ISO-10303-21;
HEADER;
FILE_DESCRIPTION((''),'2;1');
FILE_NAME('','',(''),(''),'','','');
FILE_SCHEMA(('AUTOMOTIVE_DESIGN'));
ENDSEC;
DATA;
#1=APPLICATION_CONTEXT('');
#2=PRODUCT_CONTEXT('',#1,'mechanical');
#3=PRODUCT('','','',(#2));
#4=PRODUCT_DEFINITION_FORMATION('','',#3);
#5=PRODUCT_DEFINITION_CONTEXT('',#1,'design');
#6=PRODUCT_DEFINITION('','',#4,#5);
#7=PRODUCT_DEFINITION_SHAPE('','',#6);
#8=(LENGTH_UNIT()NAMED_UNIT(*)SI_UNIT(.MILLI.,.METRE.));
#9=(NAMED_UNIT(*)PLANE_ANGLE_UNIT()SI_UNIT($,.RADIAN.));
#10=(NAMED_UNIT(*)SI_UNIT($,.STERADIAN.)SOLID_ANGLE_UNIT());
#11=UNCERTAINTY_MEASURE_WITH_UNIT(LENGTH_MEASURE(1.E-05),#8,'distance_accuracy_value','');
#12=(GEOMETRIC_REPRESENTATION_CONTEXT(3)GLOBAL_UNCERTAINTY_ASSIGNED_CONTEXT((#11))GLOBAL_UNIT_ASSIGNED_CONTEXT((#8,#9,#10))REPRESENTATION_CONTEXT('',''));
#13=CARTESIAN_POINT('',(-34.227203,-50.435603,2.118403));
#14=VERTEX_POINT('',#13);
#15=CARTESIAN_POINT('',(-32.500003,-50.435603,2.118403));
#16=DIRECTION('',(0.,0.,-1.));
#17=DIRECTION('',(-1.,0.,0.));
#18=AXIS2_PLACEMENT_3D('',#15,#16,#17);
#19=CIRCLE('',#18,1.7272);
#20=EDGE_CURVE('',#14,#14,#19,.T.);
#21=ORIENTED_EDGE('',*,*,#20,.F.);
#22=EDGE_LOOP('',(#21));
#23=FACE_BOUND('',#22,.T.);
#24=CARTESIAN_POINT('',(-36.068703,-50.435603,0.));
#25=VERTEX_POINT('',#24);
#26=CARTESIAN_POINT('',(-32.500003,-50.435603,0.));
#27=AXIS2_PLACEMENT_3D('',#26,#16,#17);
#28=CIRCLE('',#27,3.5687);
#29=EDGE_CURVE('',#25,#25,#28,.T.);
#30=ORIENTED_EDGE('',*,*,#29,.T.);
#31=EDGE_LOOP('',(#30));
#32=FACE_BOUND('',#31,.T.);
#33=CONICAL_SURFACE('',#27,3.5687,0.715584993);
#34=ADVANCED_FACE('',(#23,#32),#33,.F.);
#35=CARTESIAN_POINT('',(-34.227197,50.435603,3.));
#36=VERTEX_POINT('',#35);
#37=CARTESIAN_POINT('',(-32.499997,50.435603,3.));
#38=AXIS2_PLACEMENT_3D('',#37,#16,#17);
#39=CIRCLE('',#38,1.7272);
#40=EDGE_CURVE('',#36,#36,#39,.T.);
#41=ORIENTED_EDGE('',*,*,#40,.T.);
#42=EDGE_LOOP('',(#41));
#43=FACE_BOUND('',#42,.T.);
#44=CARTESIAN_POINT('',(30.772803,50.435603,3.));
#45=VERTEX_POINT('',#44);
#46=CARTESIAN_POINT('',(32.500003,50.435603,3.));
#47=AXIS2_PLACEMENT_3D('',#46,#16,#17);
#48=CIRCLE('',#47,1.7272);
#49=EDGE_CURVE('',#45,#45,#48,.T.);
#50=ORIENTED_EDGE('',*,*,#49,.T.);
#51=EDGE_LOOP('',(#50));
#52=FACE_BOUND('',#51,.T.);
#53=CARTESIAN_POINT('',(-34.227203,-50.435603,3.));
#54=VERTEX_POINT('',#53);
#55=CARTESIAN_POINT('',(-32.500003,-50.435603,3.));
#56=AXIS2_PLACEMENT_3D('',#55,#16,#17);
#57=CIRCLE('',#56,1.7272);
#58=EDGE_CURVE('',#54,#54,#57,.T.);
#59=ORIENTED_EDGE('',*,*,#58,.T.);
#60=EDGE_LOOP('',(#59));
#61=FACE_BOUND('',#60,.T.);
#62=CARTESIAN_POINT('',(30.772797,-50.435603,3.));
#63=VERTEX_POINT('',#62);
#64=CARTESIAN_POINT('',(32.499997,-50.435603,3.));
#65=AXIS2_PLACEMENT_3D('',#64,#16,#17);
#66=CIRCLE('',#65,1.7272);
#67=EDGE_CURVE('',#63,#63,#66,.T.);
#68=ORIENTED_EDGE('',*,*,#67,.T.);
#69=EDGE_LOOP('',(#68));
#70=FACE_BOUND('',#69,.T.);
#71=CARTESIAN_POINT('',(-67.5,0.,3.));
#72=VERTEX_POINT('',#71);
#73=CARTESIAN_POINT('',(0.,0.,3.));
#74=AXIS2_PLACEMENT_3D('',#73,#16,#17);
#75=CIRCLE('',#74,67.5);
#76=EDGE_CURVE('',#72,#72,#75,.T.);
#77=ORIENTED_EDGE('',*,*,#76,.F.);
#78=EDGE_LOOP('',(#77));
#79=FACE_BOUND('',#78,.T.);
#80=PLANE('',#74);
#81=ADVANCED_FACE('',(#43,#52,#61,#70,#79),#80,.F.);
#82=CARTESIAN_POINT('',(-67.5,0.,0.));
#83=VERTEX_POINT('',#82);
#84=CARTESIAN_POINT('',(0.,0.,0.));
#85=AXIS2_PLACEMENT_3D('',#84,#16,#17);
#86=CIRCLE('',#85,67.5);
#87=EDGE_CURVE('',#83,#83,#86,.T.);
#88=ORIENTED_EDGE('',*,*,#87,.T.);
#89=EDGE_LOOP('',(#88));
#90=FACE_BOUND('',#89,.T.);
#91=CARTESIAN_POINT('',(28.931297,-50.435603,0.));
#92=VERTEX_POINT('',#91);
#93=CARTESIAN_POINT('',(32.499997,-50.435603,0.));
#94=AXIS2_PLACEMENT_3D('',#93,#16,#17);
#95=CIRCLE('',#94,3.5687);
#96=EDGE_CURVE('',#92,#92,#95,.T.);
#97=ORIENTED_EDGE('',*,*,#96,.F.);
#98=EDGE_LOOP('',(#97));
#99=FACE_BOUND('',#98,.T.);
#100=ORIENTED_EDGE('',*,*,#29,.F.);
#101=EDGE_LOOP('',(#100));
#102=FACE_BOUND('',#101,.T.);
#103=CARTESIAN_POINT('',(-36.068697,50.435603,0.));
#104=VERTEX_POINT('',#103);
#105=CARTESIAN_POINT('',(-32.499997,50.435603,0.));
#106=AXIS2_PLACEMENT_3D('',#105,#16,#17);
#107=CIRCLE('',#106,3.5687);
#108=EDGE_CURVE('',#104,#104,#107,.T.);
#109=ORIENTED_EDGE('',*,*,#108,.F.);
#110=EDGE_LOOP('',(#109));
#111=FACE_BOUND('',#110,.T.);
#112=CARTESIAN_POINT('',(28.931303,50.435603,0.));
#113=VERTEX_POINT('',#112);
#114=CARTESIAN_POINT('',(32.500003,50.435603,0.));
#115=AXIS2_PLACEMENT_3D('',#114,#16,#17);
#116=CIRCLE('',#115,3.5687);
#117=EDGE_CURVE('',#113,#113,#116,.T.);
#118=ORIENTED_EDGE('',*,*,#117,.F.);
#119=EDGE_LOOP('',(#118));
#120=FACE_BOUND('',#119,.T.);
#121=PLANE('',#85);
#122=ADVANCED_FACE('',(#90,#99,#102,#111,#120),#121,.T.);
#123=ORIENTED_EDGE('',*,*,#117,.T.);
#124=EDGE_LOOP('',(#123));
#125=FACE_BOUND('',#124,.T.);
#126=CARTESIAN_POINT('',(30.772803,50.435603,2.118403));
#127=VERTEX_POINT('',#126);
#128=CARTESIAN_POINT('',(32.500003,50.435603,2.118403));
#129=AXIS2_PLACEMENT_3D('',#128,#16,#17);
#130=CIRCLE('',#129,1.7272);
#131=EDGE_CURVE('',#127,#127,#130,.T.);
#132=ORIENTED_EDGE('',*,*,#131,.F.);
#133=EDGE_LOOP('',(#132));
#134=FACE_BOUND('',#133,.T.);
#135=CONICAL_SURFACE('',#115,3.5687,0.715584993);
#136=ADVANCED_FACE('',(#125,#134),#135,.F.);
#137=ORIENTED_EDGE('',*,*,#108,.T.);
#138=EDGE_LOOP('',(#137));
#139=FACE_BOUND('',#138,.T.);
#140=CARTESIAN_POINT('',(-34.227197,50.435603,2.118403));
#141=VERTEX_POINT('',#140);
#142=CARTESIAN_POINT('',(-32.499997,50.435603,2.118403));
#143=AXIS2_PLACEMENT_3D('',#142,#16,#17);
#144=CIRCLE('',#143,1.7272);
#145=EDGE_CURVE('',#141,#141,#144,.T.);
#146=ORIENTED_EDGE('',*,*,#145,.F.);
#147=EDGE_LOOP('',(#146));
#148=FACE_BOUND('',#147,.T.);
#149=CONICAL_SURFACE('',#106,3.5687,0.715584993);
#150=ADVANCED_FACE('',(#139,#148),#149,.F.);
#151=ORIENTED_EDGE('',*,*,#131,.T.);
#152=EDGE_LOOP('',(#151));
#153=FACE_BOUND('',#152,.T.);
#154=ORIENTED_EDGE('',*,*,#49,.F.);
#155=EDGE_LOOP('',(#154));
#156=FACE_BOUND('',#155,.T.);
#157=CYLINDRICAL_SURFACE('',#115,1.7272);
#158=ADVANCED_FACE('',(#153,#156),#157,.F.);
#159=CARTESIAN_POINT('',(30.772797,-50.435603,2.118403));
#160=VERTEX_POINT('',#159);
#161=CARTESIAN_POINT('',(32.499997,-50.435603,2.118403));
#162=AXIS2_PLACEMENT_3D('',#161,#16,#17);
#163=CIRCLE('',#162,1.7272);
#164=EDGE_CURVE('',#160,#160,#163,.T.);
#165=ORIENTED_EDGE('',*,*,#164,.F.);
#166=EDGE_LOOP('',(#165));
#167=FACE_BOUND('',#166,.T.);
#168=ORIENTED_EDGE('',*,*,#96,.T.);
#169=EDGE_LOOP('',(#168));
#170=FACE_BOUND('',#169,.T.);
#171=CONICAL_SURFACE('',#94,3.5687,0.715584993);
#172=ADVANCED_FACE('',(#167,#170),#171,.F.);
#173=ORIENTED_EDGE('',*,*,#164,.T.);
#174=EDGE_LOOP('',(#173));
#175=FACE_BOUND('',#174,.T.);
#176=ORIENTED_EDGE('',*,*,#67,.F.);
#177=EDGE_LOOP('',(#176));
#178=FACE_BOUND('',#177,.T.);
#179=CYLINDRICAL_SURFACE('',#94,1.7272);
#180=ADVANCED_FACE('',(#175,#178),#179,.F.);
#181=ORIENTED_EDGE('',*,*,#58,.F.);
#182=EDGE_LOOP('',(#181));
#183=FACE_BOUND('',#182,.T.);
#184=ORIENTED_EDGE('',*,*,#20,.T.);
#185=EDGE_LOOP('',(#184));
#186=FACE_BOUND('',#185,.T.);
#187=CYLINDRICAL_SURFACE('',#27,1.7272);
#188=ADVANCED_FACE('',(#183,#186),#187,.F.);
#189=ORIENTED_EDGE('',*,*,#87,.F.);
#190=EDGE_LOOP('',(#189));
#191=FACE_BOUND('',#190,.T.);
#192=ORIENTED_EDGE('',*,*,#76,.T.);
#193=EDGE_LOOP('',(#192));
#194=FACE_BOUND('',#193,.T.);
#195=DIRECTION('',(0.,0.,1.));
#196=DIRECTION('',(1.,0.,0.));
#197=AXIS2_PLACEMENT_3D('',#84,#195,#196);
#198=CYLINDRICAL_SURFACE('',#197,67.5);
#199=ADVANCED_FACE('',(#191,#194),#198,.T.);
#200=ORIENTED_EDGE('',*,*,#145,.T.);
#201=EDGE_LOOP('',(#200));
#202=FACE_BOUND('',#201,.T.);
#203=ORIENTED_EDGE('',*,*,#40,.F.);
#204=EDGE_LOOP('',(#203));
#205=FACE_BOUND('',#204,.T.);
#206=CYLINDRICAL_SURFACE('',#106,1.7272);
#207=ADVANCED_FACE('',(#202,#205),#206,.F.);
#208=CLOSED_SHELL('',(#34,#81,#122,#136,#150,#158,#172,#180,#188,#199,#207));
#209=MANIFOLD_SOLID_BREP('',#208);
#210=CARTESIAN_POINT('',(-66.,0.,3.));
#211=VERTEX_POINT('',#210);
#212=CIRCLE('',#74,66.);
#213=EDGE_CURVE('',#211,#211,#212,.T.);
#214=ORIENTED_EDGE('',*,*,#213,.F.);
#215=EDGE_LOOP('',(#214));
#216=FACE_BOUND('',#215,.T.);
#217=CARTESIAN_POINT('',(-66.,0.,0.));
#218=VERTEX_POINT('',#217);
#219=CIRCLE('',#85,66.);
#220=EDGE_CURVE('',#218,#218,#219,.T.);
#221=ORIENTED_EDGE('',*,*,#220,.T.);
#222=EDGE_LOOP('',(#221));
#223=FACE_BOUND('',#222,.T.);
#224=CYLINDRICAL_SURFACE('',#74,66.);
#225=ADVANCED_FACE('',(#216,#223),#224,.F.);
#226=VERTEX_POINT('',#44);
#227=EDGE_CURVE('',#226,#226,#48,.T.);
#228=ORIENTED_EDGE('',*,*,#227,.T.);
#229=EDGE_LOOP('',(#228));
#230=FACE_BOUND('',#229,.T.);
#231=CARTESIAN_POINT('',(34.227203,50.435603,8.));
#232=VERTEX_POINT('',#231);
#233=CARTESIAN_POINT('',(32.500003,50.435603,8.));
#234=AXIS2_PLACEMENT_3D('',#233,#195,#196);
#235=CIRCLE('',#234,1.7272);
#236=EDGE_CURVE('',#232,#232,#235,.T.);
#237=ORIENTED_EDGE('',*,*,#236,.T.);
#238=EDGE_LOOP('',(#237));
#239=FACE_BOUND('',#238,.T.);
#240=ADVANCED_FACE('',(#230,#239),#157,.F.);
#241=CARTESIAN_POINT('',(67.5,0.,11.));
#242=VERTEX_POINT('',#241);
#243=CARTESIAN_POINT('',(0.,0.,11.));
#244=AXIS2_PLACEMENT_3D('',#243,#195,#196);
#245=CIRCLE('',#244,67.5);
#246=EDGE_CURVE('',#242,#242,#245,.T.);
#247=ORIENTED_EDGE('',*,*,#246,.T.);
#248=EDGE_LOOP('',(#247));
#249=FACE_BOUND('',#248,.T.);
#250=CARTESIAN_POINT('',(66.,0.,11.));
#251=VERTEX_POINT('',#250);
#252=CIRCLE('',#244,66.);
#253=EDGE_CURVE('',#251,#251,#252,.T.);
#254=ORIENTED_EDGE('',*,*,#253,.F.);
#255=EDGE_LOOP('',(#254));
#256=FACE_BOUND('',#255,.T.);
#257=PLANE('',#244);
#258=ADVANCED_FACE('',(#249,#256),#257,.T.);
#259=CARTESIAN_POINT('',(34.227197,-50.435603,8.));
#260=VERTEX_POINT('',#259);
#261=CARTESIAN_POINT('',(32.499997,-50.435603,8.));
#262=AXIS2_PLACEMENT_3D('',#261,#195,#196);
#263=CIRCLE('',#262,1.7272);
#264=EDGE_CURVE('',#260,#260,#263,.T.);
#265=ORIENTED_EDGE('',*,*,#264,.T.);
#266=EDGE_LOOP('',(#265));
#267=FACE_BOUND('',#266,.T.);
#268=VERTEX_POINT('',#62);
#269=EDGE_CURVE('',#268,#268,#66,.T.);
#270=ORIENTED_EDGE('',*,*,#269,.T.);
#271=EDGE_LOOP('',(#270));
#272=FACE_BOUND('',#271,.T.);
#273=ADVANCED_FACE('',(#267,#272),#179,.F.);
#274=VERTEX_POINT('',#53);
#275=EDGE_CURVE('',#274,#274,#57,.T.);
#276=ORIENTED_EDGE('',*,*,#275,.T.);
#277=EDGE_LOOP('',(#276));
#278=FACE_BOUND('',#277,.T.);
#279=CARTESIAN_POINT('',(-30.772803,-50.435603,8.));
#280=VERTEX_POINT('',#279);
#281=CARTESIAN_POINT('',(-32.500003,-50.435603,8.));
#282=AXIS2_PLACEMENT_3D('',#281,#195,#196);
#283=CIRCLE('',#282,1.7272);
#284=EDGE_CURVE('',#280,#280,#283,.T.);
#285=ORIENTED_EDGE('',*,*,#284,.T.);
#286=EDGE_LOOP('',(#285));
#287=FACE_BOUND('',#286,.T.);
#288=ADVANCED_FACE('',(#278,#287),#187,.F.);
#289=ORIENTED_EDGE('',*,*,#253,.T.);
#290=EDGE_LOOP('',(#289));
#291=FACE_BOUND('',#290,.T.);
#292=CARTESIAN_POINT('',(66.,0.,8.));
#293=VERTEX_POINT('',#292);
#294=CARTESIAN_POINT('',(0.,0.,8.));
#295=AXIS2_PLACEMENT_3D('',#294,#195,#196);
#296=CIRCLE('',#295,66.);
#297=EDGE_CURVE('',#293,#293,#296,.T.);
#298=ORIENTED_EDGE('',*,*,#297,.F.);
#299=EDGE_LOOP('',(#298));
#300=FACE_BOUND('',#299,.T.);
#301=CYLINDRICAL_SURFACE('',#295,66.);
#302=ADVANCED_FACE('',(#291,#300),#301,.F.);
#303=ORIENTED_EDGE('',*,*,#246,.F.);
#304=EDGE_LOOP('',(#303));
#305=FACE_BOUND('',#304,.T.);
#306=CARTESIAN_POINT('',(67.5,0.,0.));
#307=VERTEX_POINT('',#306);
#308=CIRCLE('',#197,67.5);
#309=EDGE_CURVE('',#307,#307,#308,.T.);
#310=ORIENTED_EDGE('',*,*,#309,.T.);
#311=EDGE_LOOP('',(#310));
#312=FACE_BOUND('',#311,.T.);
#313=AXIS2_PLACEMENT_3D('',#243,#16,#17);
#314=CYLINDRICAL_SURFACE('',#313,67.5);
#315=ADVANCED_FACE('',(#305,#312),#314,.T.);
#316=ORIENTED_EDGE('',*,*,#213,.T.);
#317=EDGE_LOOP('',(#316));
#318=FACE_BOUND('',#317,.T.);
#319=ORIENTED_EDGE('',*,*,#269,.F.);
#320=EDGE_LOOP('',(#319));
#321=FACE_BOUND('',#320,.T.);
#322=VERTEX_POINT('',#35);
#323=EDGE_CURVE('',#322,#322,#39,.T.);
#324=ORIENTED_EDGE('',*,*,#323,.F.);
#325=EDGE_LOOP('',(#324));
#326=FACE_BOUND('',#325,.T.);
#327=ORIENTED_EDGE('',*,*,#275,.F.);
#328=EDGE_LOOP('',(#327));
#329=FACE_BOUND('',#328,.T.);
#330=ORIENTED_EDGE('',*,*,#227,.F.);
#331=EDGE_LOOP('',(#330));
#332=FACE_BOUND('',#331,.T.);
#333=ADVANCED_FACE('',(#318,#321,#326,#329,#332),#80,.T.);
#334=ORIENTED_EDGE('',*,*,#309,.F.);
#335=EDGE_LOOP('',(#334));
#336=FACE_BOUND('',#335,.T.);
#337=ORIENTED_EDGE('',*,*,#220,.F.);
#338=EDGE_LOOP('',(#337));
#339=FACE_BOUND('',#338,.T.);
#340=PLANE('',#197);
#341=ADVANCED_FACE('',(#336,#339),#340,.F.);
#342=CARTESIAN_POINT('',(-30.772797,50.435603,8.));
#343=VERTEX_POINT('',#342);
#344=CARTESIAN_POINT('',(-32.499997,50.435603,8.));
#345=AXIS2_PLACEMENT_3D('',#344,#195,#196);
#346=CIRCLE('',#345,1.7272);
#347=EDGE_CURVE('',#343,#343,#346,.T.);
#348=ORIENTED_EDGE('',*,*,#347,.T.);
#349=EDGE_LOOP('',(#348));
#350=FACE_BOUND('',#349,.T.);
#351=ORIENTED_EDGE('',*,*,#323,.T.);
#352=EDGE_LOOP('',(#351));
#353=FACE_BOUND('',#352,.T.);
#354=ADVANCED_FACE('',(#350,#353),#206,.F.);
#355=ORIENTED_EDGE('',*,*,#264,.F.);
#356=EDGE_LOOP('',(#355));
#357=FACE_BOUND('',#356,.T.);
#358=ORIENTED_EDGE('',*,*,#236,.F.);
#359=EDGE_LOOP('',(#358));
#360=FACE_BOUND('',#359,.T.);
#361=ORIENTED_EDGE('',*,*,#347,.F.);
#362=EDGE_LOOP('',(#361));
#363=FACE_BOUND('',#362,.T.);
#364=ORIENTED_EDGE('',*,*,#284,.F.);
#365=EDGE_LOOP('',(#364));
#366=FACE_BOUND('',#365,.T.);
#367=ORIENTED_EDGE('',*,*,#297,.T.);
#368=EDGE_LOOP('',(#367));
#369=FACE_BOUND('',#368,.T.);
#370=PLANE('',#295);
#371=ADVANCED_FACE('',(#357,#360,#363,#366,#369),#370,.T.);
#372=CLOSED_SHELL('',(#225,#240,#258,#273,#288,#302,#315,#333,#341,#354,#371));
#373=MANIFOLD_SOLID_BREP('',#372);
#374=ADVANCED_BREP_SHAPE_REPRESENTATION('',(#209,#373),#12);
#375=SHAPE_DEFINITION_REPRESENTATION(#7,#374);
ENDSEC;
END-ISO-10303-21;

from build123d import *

# Parameters (mm, degrees)
SKETCH2_R                                     = 67.5
BOSS_EXTRUDE2_DEPTH                           = 11
SKETCH3_R                                     = 66
CUT_EXTRUDE11_DEPTH                           = 3
SKETCH15_R                                    = 66
CUT_EXTRUDE14_DEPTH                           = 3
SKETCH28_R                                    = 67.5
BOSS_EXTRUDE14_DEPTH                          = 3
CSK_FOR_5_FLAT_HEAD_SOCKET_CAP_SCREW5_A_COUNT = 2
CSK_FOR_5_FLAT_HEAD_SOCKET_CAP_SCREW5_A_PITCH = 65
CSK_FOR_5_FLAT_HEAD_SOCKET_CAP_SCRE_2_COUNT   = 2
CSK_FOR_5_FLAT_HEAD_SOCKET_CAP_SCRE_2_PITCH   = 120.000003622
CSK_FOR_5_FLAT_HEAD_SOCKET_CAP_SCRE_3_COUNT   = 2
CSK_FOR_5_FLAT_HEAD_SOCKET_CAP_SCRE_3_PITCH   = 100.871205009


with BuildPart() as part:
    # Sketch2 → Boss-Extrude2 (new body)
    with BuildSketch(Plane.XY):
        Circle(SKETCH2_R)
    extrude(amount=BOSS_EXTRUDE2_DEPTH)

    # Sketch3 → Cut-Extrude11 (cut)
    with BuildSketch(Plane(origin=(0, 0, 0), x_dir=(-1, 0, 0), z_dir=(0, 0, -1))):
        Circle(SKETCH3_R)
    extrude(amount=-CUT_EXTRUDE11_DEPTH, mode=Mode.SUBTRACT)

    # Sketch15 → Cut-Extrude14 (cut)
    with BuildSketch(Plane.XY.offset(11)):
        Circle(SKETCH15_R)
    extrude(amount=-CUT_EXTRUDE14_DEPTH, mode=Mode.SUBTRACT)


with BuildPart() as body_2:
    # Sketch28 → Boss-Extrude14 (new body)
    with BuildSketch(Plane(origin=(0, 0, 3), x_dir=(-1, 0, 0), z_dir=(0, 0, -1))):
        Circle(SKETCH28_R)
    extrude(amount=BOSS_EXTRUDE14_DEPTH)


with BuildPart() as csk_for_5_flat_head_socket_cap_screw5_tool:
    # Sketch30 → CSK for #5 Flat Head Socket Cap Screw5 (revolve)
    with BuildSketch(Plane(origin=(32.500003343, 50.435602505, 0), x_dir=(0, 1, 0), z_dir=(1, 0, 0))):
        Polygon((0, 0), (0, 69.377806461), (1.7272, 68.34), (1.7272, 2.118403422), (3.5687, 0), align=None)
    csk_for_5_flat_head_socket_cap_screw5 = revolve(axis=Axis((32.500003343, 50.435602505, -6.35), (0, 0, 1)))


with BuildPart() as part_1:
    add(part.part)

    # CSK for #5 Flat Head Socket Cap Screw5: cut by csk_for_5_flat_head_socket_cap_screw5_tool
    add(csk_for_5_flat_head_socket_cap_screw5_tool.part, mode=Mode.SUBTRACT)


with BuildPart() as body_2_1:
    add(body_2.part)

    # CSK for #5 Flat Head Socket Cap Screw5: cut by csk_for_5_flat_head_socket_cap_screw5_tool
    add(csk_for_5_flat_head_socket_cap_screw5_tool.part, mode=Mode.SUBTRACT)


with BuildPart() as csk_for_5_flat_head_socket_cap_screw5_a_tool:
    # CSK for #5 Flat Head Socket Cap Screw5 a: CSK for #5 Flat Head Socket Cap Screw5 ×2
    with Locations(*[(-i * CSK_FOR_5_FLAT_HEAD_SOCKET_CAP_SCREW5_A_PITCH, 0, 0) for i in range(1, CSK_FOR_5_FLAT_HEAD_SOCKET_CAP_SCREW5_A_COUNT)]):
        add(csk_for_5_flat_head_socket_cap_screw5)


with BuildPart() as part_2:
    add(part_1.part)

    # CSK for #5 Flat Head Socket Cap Screw5 a: cut by csk_for_5_flat_head_socket_cap_screw5_a_tool
    add(csk_for_5_flat_head_socket_cap_screw5_a_tool.part, mode=Mode.SUBTRACT)


with BuildPart() as body_2_2:
    add(body_2_1.part)

    # CSK for #5 Flat Head Socket Cap Screw5 a: cut by csk_for_5_flat_head_socket_cap_screw5_a_tool
    add(csk_for_5_flat_head_socket_cap_screw5_a_tool.part, mode=Mode.SUBTRACT)


with BuildPart() as csk_for_5_flat_head_socket_cap_scre_2_tool:
    # CSK for _5 Flat Head Socket Cap Scre 2: CSK for #5 Flat Head Socket Cap Screw5 ×2
    with Locations(*[Vector(-0.541666706, -0.84059335, 0) * (i * CSK_FOR_5_FLAT_HEAD_SOCKET_CAP_SCRE_2_PITCH) for i in range(1, CSK_FOR_5_FLAT_HEAD_SOCKET_CAP_SCRE_2_COUNT)]):
        add(csk_for_5_flat_head_socket_cap_screw5)


with BuildPart() as part_3:
    add(part_2.part)

    # CSK for _5 Flat Head Socket Cap Scre 2: cut by csk_for_5_flat_head_socket_cap_scre_2_tool
    add(csk_for_5_flat_head_socket_cap_scre_2_tool.part, mode=Mode.SUBTRACT)


with BuildPart() as body_2_3:
    add(body_2_2.part)

    # CSK for _5 Flat Head Socket Cap Scre 2: cut by csk_for_5_flat_head_socket_cap_scre_2_tool
    add(csk_for_5_flat_head_socket_cap_scre_2_tool.part, mode=Mode.SUBTRACT)


with BuildPart() as csk_for_5_flat_head_socket_cap_scre_3_tool:
    # CSK for _5 Flat Head Socket Cap Scre 3: CSK for #5 Flat Head Socket Cap Screw5 ×2
    with Locations(*[(0, -i * CSK_FOR_5_FLAT_HEAD_SOCKET_CAP_SCRE_3_PITCH, 0) for i in range(1, CSK_FOR_5_FLAT_HEAD_SOCKET_CAP_SCRE_3_COUNT)]):
        add(csk_for_5_flat_head_socket_cap_screw5)


with BuildPart() as part_4:
    add(part_3.part)

    # CSK for _5 Flat Head Socket Cap Scre 3: cut by csk_for_5_flat_head_socket_cap_scre_3_tool
    add(csk_for_5_flat_head_socket_cap_scre_3_tool.part, mode=Mode.SUBTRACT)


with BuildPart() as body_2_4:
    add(body_2_3.part)

    # CSK for _5 Flat Head Socket Cap Scre 3: cut by csk_for_5_flat_head_socket_cap_scre_3_tool
    add(csk_for_5_flat_head_socket_cap_scre_3_tool.part, mode=Mode.SUBTRACT)


solid = Compound([part_4.part, body_2_4.part])
